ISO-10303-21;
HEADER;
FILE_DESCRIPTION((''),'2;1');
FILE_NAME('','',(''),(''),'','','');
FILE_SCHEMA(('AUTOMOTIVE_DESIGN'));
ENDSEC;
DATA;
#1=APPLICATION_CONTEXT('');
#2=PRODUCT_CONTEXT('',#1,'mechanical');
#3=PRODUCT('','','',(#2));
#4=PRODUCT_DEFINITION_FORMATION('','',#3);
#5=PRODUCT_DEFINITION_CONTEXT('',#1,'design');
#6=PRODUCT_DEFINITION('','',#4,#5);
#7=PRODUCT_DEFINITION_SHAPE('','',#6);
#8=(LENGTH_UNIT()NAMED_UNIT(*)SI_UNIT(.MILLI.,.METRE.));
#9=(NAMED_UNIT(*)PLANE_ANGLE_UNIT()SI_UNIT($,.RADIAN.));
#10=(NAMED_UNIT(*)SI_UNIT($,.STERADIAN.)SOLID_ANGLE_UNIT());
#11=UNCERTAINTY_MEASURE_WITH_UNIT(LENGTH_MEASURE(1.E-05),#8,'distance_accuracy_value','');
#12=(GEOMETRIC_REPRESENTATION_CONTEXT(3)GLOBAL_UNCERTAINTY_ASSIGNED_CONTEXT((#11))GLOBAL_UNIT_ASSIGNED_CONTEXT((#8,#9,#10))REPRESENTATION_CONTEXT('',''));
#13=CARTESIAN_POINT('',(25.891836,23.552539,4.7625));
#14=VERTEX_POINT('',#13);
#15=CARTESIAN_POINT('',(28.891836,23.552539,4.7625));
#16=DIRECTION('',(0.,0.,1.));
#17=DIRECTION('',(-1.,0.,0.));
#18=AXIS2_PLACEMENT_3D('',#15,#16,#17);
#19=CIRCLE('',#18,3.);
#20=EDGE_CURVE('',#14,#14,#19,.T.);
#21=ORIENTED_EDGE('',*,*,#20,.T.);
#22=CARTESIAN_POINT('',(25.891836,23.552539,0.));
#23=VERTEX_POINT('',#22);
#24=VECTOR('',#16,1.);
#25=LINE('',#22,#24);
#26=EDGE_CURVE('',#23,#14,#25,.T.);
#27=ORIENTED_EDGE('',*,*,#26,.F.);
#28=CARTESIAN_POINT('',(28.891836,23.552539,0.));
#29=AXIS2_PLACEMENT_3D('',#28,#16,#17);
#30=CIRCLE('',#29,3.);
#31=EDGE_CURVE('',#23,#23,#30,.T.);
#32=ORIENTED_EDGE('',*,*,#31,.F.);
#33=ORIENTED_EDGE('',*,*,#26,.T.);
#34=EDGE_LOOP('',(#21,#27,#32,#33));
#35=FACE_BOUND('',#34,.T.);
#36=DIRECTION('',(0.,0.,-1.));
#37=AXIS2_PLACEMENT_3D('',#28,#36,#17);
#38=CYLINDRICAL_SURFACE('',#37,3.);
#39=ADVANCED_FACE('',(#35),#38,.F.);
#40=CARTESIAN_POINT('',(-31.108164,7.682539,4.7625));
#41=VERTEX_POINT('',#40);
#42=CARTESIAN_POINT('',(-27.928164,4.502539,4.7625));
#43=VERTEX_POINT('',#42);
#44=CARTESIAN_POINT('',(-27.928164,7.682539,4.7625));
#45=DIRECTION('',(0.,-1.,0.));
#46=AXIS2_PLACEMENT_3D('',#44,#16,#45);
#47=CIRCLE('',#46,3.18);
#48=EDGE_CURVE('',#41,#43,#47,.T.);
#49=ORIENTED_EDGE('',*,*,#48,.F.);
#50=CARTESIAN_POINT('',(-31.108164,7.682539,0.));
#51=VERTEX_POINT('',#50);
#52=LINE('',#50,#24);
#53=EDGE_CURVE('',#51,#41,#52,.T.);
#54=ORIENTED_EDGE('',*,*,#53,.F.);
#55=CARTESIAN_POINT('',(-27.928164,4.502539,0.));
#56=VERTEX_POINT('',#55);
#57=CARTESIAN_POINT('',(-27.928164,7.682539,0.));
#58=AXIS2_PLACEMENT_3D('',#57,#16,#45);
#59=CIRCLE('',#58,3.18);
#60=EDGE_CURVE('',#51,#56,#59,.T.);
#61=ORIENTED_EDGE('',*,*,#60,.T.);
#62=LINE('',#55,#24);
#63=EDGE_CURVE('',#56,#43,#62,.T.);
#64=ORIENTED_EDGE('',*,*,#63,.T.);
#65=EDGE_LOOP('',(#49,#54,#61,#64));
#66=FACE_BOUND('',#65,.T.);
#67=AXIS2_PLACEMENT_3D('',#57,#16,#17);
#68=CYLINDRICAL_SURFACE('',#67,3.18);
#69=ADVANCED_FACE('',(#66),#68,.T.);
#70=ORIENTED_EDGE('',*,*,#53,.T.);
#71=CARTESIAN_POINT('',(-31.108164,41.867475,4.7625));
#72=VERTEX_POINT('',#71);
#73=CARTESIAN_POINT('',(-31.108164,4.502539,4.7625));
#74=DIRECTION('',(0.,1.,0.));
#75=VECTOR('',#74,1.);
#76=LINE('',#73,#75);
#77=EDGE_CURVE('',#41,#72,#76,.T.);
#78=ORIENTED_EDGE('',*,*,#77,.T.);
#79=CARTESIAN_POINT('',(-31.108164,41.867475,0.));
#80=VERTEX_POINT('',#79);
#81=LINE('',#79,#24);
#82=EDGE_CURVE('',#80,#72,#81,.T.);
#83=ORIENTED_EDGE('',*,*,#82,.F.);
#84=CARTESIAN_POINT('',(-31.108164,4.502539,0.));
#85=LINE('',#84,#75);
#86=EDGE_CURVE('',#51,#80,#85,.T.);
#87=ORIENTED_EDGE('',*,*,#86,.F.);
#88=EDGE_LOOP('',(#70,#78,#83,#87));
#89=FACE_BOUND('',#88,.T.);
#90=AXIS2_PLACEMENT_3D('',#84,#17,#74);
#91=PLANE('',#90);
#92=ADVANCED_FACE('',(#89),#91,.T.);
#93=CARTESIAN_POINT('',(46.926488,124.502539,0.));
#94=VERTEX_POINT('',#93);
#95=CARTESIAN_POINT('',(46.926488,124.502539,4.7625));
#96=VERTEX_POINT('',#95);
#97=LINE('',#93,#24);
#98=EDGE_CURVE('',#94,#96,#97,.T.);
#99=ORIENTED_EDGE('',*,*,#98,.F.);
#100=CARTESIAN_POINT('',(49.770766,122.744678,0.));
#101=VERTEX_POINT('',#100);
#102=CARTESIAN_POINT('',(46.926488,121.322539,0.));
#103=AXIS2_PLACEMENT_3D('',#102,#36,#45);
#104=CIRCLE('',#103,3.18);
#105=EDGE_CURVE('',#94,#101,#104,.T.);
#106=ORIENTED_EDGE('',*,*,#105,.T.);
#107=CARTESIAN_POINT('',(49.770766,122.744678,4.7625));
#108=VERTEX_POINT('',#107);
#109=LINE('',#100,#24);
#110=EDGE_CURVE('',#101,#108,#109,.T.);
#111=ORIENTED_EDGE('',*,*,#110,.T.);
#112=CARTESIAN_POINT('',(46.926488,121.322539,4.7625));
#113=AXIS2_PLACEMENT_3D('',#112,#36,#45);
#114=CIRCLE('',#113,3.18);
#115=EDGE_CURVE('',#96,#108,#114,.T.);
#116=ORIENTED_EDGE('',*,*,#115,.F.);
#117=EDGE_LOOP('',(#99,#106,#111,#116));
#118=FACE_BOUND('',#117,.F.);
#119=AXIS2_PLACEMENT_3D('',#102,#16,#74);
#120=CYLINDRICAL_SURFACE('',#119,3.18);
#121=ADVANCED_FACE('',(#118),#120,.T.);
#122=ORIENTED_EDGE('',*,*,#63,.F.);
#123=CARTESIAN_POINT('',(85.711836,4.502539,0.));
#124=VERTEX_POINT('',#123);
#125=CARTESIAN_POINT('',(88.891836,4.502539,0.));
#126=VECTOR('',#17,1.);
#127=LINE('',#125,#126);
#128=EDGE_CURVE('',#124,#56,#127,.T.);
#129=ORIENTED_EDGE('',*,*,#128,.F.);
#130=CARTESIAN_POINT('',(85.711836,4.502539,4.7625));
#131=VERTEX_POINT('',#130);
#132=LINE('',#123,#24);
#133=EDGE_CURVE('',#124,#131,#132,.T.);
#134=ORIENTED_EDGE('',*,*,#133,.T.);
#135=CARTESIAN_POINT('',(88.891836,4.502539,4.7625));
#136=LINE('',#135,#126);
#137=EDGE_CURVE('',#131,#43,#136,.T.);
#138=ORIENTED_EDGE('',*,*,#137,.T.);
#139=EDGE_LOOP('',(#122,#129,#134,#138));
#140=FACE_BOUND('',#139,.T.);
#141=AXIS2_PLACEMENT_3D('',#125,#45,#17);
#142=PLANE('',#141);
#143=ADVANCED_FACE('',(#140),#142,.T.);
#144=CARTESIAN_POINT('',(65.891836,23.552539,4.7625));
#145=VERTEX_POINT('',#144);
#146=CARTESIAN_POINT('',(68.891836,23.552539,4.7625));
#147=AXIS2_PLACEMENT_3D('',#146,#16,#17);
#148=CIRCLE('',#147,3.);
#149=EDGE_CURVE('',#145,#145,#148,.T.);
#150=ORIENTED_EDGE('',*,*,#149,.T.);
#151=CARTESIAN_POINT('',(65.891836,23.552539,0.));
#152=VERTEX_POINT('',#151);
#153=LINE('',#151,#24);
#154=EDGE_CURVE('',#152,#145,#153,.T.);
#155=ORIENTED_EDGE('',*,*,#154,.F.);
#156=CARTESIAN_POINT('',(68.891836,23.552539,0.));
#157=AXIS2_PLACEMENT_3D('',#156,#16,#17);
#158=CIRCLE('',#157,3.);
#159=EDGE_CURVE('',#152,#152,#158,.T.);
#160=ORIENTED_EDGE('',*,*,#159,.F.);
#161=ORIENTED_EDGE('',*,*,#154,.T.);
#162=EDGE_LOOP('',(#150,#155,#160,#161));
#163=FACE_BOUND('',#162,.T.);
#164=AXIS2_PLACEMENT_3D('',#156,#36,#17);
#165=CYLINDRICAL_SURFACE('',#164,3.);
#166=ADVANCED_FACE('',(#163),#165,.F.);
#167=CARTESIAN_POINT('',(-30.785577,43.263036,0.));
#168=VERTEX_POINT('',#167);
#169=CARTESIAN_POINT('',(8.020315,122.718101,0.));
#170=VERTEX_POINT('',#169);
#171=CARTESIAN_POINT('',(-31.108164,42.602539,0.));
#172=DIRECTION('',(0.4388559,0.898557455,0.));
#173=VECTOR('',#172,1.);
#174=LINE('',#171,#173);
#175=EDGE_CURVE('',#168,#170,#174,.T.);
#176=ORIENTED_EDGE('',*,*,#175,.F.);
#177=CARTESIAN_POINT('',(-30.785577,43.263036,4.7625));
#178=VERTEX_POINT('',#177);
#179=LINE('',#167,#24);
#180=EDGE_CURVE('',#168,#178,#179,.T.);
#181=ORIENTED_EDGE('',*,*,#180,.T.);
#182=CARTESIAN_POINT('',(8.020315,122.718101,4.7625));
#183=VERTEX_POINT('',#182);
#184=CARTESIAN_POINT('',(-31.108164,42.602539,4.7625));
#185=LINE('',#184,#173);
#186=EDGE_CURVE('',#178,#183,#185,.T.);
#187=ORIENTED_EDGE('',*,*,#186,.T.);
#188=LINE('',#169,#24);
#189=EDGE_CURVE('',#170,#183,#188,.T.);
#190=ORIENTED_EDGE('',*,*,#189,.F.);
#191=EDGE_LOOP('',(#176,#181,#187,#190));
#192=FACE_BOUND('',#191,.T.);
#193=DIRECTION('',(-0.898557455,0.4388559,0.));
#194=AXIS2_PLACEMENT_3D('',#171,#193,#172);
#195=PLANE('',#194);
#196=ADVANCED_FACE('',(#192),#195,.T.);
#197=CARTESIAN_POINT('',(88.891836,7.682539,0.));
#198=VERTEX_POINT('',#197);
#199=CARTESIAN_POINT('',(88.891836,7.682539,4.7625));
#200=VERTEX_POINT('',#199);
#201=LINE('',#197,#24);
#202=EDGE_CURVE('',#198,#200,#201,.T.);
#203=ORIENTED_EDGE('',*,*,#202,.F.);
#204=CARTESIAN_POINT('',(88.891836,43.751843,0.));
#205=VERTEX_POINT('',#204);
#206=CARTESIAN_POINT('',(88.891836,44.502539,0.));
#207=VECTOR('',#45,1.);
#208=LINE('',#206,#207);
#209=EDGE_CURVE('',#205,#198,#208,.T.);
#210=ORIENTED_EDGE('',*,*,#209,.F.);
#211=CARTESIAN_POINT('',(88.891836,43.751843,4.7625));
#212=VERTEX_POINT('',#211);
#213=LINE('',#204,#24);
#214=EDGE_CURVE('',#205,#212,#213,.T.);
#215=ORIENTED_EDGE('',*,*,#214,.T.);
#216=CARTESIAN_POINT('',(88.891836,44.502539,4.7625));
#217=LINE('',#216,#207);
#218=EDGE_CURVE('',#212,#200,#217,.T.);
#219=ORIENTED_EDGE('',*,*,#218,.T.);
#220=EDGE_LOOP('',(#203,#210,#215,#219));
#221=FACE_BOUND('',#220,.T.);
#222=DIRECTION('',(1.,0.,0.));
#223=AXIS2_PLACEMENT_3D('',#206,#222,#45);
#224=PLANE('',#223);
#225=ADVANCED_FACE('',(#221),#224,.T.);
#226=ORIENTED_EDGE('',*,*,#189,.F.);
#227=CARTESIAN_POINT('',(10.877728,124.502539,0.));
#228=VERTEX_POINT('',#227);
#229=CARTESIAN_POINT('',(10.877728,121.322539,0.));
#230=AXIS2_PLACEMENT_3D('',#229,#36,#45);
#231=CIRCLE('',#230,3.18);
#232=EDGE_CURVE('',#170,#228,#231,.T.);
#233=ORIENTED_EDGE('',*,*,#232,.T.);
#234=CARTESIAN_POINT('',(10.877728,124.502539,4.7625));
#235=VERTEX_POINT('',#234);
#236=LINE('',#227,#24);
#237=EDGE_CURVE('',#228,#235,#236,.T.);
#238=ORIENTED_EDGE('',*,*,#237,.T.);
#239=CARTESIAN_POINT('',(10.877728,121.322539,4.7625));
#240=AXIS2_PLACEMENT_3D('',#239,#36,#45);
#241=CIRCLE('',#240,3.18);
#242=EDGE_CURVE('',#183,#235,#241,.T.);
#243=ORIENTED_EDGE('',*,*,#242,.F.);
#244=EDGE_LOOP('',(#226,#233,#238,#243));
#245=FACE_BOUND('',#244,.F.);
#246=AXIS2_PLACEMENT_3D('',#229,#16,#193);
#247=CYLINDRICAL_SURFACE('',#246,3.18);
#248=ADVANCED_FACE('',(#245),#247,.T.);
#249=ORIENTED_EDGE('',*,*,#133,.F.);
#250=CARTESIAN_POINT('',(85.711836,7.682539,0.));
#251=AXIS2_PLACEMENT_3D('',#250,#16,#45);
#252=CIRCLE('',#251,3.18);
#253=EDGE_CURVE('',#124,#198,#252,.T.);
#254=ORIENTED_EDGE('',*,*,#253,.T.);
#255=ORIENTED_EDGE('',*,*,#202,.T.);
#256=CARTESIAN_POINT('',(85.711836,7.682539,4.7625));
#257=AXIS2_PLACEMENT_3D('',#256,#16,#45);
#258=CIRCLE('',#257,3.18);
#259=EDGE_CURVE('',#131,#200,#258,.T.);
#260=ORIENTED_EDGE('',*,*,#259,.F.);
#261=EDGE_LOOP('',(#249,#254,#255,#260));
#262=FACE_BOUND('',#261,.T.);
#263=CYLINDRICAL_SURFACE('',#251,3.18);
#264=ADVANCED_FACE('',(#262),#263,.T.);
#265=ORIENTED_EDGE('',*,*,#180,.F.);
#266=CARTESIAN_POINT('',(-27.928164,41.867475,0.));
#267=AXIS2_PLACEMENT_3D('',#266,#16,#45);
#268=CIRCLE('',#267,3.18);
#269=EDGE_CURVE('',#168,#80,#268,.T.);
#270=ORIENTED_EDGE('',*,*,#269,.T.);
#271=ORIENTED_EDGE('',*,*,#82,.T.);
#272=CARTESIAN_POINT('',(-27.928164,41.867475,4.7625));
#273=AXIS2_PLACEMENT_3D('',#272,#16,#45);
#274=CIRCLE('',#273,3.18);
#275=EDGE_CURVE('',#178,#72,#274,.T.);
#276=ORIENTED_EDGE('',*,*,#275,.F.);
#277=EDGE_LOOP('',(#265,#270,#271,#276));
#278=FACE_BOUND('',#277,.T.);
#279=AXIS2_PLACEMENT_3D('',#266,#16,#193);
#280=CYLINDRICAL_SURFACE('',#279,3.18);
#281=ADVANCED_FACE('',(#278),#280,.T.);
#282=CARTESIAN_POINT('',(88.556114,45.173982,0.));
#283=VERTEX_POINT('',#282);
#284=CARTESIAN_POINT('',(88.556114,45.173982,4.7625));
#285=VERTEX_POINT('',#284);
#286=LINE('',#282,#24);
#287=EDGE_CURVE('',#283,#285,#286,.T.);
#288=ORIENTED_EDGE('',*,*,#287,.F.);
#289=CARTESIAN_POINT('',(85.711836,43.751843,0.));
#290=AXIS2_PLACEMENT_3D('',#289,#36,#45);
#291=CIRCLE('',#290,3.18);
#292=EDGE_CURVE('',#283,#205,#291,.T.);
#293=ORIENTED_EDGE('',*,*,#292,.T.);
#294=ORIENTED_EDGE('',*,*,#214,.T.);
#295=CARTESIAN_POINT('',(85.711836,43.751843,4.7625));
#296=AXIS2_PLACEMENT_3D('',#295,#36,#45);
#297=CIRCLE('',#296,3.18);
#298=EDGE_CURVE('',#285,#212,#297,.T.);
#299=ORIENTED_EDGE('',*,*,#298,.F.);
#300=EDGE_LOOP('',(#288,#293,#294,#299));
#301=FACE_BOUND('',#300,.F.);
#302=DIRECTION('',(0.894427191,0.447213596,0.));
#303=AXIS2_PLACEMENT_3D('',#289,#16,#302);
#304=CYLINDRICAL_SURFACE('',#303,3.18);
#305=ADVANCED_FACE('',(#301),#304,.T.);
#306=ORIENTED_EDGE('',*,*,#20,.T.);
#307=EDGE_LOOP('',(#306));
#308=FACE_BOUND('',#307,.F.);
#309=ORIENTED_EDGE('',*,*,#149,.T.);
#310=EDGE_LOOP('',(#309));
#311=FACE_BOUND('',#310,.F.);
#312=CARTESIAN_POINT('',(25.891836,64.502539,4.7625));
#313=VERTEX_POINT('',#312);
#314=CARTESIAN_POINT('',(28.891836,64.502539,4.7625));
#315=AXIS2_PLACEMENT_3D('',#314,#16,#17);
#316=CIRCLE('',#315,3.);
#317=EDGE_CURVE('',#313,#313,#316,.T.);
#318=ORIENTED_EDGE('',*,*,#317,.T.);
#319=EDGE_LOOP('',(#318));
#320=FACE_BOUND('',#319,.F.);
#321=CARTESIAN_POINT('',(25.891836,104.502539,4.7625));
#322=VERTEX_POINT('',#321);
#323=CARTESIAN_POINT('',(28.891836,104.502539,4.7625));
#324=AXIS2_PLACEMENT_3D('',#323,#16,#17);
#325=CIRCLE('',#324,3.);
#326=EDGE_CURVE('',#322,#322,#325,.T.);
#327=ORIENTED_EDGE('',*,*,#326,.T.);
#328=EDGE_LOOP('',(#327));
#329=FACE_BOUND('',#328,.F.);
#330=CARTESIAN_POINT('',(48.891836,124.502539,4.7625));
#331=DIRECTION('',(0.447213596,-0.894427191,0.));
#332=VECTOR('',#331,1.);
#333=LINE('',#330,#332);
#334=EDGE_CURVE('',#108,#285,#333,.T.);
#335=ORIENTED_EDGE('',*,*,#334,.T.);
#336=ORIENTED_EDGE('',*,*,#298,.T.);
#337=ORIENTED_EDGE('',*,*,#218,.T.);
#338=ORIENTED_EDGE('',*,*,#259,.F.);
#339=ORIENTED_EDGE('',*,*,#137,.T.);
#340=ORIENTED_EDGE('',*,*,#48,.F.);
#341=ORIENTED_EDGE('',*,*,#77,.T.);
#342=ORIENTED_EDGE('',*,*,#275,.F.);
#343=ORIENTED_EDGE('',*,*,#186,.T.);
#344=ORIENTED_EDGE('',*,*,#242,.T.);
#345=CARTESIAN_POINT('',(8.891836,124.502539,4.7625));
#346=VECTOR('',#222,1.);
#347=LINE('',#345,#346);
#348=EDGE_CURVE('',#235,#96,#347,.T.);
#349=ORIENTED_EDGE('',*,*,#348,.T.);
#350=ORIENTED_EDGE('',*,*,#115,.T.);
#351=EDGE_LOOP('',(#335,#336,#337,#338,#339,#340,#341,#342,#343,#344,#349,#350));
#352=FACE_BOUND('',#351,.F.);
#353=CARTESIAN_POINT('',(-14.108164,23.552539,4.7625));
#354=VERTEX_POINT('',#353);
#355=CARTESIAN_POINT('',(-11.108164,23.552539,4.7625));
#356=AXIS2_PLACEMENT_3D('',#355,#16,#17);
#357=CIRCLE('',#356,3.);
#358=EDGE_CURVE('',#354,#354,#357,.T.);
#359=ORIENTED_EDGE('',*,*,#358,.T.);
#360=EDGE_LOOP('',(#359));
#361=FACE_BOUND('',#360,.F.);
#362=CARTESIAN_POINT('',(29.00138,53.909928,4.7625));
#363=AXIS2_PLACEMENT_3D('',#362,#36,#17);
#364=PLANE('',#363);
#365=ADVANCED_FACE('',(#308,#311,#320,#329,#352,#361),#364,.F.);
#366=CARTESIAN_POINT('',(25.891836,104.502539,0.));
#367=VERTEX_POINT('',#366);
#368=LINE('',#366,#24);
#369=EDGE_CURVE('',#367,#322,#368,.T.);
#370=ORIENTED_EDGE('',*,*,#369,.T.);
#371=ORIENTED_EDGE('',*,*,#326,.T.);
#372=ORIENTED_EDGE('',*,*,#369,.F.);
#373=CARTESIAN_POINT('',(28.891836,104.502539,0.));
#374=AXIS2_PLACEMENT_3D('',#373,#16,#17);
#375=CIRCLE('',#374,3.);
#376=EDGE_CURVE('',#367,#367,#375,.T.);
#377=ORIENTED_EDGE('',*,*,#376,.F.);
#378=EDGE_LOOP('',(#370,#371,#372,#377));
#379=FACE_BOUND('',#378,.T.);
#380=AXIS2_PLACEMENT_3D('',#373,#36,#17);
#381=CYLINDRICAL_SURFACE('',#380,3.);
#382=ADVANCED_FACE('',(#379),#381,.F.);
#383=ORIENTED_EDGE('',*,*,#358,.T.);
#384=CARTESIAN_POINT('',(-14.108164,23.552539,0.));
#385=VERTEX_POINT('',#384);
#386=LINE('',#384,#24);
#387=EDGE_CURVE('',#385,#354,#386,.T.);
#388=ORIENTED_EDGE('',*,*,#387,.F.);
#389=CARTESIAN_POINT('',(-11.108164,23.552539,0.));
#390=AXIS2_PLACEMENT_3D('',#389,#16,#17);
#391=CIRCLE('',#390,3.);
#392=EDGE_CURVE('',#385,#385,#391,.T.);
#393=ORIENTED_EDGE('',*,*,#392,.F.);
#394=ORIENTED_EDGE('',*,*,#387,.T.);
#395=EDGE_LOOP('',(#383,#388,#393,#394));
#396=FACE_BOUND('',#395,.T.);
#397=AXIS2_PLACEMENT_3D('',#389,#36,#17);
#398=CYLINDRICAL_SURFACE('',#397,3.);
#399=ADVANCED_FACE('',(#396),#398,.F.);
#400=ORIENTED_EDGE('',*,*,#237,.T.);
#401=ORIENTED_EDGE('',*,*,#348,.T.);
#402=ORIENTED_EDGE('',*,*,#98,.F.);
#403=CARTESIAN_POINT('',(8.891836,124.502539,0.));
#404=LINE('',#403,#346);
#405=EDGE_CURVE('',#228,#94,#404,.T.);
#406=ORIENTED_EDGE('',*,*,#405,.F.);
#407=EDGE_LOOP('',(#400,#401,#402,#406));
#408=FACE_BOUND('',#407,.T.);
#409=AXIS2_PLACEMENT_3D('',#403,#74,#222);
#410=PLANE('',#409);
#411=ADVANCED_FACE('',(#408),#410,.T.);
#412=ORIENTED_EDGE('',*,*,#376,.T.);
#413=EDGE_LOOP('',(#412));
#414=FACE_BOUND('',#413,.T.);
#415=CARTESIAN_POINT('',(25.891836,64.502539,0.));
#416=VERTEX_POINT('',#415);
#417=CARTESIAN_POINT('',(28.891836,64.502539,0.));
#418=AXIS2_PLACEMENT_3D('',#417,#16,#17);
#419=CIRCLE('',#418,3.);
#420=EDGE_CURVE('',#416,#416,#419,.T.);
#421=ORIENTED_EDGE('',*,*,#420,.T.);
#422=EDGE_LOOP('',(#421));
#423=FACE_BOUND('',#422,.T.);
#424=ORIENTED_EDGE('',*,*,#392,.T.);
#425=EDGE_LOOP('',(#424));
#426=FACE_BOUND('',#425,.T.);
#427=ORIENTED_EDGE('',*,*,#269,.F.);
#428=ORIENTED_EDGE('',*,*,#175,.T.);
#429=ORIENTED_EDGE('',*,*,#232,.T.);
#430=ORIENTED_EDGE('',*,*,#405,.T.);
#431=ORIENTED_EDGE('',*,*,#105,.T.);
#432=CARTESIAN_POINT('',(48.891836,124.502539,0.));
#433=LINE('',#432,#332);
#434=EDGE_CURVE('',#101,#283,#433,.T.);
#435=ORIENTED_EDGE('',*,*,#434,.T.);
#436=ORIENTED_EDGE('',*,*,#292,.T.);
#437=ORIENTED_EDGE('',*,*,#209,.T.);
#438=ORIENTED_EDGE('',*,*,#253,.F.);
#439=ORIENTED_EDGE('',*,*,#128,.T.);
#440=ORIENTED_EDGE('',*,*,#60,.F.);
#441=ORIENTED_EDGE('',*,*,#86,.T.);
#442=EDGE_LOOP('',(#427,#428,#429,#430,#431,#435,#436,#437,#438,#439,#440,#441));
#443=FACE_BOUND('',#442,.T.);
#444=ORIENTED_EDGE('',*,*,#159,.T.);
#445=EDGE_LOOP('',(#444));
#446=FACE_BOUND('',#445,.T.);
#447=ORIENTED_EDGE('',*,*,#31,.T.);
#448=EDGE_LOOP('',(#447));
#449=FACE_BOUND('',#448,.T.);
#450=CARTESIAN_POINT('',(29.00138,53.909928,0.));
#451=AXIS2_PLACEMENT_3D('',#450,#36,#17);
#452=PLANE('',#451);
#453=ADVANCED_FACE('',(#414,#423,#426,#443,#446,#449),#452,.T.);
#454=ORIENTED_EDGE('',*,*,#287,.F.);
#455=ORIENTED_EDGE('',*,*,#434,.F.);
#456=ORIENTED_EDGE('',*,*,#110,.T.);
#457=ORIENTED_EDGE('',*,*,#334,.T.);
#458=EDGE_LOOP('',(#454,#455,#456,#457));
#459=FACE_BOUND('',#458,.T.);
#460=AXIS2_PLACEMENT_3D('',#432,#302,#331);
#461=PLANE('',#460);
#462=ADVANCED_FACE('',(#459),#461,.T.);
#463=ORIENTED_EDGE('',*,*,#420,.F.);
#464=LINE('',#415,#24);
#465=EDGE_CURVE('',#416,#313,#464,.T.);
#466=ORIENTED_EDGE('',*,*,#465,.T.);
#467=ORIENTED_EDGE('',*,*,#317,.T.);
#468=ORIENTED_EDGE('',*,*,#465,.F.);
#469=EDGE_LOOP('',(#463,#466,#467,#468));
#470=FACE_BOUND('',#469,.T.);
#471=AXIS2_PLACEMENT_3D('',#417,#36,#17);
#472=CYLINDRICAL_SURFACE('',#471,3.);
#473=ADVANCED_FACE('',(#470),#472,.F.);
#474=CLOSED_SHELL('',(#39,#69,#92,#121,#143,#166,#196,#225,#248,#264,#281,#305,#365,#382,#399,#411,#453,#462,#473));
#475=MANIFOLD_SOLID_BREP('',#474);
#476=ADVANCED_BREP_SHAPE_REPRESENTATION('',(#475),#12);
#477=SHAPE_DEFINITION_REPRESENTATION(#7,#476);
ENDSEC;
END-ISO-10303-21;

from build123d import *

# Parameters (mm, degrees)
SKETCH2_R           = 3
BOSS_EXTRUDE1_DEPTH = 4.7625
FILLET1_R           = 3.18


with BuildPart() as part:
    # Sketch2 → Boss-Extrude1 (new body)
    with BuildSketch(Plane.XY):
        Polygon((-31.10816412, 42.602538855), (8.89183588, 124.502538855), (48.89183588, 124.502538855), (88.89183588, 44.502538855), (88.89183588, 4.502538855), (-31.10816412, 4.502538855), align=None)
        with Locations(Location((28.89183588, 104.502538855, 0), (0, 0, 180))):
            Circle(SKETCH2_R, mode=Mode.SUBTRACT)
        with Locations(Location((28.89183588, 64.502538855, 0), (0, 0, 180))):
            Circle(SKETCH2_R, mode=Mode.SUBTRACT)
        with Locations(Location((-11.10816412, 23.552538855, 0), (0, 0, 180))):
            Circle(SKETCH2_R, mode=Mode.SUBTRACT)
        with Locations(Location((68.89183588, 23.552538855, 0), (0, 0, 180))):
            Circle(SKETCH2_R, mode=Mode.SUBTRACT)
        with Locations(Location((28.89183588, 23.552538855, 0), (0, 0, 180))):
            Circle(SKETCH2_R, mode=Mode.SUBTRACT)
    extrude(amount=BOSS_EXTRUDE1_DEPTH)

    # Fillet1
    fillet1_edges = [part.edges().sort_by_distance(p)[0] for p in [
        (-31.10816412, 42.602538855, 2.38125),
        (8.89183588, 124.502538855, 2.38125),
        (48.89183588, 124.502538855, 2.38125),
        (88.89183588, 44.502538855, 2.38125),
        (88.89183588, 4.502538855, 2.38125),
        (-31.10816412, 4.502538855, 2.38125),
    ]]
    fillet(fillet1_edges, radius=FILLET1_R)


solid = part.part
